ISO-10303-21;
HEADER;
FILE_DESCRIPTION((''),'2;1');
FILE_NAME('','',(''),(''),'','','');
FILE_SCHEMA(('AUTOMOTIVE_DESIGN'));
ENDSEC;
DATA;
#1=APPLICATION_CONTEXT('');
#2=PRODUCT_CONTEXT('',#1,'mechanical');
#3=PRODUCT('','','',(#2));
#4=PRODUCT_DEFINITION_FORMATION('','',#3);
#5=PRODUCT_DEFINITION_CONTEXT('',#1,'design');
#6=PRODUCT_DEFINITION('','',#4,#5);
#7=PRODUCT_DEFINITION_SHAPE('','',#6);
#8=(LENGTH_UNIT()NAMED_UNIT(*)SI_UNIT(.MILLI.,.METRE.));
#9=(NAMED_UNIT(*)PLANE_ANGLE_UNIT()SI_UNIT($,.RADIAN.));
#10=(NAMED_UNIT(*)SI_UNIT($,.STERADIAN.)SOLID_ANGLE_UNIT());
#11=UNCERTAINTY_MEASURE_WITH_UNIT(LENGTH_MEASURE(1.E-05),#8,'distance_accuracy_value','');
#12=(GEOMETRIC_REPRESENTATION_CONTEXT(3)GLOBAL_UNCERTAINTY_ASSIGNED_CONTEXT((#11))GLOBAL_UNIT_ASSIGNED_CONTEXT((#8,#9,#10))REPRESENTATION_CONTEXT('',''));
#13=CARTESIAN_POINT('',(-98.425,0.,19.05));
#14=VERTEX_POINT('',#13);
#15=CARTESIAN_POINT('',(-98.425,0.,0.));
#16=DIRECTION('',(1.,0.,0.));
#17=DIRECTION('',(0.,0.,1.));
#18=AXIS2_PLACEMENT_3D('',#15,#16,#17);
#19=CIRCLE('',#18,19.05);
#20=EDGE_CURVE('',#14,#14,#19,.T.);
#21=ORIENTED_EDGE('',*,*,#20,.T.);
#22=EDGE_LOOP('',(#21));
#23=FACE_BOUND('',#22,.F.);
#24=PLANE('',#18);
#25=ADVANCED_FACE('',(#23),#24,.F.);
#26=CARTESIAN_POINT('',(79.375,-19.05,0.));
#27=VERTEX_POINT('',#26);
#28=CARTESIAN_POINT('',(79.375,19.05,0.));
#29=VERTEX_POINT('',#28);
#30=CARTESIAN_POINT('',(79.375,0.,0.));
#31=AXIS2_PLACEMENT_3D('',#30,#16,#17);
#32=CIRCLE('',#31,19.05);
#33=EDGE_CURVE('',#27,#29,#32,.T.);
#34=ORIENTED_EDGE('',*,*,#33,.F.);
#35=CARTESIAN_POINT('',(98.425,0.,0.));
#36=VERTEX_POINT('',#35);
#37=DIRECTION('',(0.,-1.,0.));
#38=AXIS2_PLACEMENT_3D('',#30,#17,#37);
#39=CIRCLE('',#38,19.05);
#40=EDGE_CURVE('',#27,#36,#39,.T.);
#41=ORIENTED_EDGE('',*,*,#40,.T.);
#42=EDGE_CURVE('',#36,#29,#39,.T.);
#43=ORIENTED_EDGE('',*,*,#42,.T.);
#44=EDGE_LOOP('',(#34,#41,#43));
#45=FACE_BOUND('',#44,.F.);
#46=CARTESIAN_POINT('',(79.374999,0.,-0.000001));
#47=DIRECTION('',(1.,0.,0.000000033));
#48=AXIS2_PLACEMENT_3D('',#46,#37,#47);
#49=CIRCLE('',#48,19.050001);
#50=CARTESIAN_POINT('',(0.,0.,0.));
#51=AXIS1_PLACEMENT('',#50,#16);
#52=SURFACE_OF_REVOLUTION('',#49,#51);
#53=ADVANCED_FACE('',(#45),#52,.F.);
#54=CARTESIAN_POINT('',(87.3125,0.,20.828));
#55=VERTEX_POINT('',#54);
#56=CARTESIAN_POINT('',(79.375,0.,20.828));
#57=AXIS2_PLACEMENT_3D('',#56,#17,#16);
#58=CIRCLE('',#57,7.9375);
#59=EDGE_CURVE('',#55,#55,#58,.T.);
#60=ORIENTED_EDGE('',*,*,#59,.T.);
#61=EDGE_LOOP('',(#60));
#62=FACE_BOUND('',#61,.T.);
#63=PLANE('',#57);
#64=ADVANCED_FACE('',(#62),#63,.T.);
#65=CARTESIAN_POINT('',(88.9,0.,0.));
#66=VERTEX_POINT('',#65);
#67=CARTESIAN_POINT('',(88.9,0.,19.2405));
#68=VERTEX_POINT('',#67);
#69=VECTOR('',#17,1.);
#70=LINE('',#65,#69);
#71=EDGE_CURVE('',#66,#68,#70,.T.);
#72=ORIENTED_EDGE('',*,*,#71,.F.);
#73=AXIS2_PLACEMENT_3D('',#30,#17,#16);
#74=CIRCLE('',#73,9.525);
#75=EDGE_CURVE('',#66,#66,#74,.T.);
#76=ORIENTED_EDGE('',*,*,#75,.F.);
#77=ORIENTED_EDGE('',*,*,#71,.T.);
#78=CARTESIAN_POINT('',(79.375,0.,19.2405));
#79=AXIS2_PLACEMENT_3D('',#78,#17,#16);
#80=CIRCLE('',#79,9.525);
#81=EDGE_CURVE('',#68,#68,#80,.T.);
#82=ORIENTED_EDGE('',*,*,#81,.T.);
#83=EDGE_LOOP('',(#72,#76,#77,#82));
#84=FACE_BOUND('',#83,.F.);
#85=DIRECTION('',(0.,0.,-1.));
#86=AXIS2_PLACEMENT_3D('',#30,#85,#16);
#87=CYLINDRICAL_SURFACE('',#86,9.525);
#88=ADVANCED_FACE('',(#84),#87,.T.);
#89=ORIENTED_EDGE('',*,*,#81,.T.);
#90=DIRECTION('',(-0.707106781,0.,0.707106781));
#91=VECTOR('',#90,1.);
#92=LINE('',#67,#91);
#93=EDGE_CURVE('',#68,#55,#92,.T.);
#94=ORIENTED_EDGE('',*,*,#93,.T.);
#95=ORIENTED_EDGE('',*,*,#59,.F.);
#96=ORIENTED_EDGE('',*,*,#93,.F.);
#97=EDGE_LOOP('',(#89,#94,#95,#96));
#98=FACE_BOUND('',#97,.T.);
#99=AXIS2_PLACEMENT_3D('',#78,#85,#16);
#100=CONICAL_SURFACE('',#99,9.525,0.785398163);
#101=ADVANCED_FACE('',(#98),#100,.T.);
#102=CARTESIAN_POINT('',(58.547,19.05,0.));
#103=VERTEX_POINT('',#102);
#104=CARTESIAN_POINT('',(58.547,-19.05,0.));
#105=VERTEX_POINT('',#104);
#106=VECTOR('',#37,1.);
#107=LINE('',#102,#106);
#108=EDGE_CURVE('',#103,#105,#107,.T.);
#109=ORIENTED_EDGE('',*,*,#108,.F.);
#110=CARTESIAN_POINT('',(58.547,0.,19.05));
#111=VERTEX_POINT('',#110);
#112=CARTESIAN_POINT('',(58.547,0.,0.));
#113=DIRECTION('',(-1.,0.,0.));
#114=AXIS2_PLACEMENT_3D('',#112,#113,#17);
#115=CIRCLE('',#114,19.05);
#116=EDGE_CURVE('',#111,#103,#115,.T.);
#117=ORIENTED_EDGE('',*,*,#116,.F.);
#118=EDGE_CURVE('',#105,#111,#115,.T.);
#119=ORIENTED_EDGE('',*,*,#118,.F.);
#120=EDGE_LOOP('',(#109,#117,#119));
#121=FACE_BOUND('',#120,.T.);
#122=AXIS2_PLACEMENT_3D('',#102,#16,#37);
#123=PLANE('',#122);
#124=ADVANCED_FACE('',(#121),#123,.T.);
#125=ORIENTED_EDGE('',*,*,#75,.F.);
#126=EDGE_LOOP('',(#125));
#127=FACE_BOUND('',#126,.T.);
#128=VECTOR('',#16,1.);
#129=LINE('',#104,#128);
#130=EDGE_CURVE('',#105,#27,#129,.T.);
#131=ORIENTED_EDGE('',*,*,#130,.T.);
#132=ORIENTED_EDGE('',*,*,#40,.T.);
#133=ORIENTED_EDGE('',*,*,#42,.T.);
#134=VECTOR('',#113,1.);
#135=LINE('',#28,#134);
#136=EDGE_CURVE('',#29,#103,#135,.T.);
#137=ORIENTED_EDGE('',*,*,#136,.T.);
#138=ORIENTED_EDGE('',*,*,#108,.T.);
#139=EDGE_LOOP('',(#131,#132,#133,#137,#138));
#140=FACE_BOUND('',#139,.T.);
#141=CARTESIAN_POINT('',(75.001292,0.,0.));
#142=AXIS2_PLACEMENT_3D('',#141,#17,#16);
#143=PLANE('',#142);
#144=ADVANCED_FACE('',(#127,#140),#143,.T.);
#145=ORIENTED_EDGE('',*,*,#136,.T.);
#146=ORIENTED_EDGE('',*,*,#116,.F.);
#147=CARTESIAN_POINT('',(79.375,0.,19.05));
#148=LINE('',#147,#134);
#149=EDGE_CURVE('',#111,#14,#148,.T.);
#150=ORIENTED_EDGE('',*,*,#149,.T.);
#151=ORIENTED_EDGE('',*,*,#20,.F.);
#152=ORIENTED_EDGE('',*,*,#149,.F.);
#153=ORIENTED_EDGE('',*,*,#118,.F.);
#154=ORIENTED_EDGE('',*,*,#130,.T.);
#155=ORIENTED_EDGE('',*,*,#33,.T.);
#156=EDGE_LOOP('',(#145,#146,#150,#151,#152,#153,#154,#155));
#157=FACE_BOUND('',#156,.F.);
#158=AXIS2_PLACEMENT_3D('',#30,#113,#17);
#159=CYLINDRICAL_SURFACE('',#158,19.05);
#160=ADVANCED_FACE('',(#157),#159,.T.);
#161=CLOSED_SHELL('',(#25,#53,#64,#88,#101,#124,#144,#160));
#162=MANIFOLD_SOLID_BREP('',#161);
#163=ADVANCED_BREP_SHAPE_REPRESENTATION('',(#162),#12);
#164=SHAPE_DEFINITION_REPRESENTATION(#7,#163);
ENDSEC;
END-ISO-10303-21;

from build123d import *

# Parameters (mm, degrees)
F3_DEPTH = 25.4
F4_R     = 9.525
F5_DEPTH = 20.828
F6_SIZE  = 1.5875


with BuildPart() as f1:
    # F0 (on Front) → F1 (revolve)
    with BuildSketch(Plane.XZ):
        with BuildLine():
            Line((-98.425, 19.05), (-98.425, 0))
            Line((-98.425, 0), (98.425, 0))
            ThreePointArc((98.425, 0), (92.845384, 13.470384), (79.375, 19.05))
            Line((79.375, 19.05), (-98.425, 19.05))
        make_face()
    revolve(axis=Axis((0, 0, 0), (1, 0, 0)))

    # F2 (on Top) → F3 (cut)
    with BuildSketch(Plane.XY):
        with BuildLine():
            Line((79.375, 19.05), (58.547, 19.05))
            Line((58.547, 19.05), (58.547, -19.05))
            Line((58.547, -19.05), (79.375, -19.05))
            ThreePointArc((79.375, -19.05), (98.425, 0), (79.375, 19.05))
        make_face()
    extrude(amount=F3_DEPTH, mode=Mode.SUBTRACT)

    # F4 (on face) → F5 (join)
    with BuildSketch(Plane.XY):
        with Locations((79.375, 0)):
            Circle(F4_R)
    extrude(amount=F5_DEPTH)

    # F6
    f6_edges = [f1.edges().sort_by_distance(p)[0] for p in [
        (69.85, 0, 20.828),
    ]]
    chamfer(f6_edges, length=F6_SIZE)


solid = f1.part
